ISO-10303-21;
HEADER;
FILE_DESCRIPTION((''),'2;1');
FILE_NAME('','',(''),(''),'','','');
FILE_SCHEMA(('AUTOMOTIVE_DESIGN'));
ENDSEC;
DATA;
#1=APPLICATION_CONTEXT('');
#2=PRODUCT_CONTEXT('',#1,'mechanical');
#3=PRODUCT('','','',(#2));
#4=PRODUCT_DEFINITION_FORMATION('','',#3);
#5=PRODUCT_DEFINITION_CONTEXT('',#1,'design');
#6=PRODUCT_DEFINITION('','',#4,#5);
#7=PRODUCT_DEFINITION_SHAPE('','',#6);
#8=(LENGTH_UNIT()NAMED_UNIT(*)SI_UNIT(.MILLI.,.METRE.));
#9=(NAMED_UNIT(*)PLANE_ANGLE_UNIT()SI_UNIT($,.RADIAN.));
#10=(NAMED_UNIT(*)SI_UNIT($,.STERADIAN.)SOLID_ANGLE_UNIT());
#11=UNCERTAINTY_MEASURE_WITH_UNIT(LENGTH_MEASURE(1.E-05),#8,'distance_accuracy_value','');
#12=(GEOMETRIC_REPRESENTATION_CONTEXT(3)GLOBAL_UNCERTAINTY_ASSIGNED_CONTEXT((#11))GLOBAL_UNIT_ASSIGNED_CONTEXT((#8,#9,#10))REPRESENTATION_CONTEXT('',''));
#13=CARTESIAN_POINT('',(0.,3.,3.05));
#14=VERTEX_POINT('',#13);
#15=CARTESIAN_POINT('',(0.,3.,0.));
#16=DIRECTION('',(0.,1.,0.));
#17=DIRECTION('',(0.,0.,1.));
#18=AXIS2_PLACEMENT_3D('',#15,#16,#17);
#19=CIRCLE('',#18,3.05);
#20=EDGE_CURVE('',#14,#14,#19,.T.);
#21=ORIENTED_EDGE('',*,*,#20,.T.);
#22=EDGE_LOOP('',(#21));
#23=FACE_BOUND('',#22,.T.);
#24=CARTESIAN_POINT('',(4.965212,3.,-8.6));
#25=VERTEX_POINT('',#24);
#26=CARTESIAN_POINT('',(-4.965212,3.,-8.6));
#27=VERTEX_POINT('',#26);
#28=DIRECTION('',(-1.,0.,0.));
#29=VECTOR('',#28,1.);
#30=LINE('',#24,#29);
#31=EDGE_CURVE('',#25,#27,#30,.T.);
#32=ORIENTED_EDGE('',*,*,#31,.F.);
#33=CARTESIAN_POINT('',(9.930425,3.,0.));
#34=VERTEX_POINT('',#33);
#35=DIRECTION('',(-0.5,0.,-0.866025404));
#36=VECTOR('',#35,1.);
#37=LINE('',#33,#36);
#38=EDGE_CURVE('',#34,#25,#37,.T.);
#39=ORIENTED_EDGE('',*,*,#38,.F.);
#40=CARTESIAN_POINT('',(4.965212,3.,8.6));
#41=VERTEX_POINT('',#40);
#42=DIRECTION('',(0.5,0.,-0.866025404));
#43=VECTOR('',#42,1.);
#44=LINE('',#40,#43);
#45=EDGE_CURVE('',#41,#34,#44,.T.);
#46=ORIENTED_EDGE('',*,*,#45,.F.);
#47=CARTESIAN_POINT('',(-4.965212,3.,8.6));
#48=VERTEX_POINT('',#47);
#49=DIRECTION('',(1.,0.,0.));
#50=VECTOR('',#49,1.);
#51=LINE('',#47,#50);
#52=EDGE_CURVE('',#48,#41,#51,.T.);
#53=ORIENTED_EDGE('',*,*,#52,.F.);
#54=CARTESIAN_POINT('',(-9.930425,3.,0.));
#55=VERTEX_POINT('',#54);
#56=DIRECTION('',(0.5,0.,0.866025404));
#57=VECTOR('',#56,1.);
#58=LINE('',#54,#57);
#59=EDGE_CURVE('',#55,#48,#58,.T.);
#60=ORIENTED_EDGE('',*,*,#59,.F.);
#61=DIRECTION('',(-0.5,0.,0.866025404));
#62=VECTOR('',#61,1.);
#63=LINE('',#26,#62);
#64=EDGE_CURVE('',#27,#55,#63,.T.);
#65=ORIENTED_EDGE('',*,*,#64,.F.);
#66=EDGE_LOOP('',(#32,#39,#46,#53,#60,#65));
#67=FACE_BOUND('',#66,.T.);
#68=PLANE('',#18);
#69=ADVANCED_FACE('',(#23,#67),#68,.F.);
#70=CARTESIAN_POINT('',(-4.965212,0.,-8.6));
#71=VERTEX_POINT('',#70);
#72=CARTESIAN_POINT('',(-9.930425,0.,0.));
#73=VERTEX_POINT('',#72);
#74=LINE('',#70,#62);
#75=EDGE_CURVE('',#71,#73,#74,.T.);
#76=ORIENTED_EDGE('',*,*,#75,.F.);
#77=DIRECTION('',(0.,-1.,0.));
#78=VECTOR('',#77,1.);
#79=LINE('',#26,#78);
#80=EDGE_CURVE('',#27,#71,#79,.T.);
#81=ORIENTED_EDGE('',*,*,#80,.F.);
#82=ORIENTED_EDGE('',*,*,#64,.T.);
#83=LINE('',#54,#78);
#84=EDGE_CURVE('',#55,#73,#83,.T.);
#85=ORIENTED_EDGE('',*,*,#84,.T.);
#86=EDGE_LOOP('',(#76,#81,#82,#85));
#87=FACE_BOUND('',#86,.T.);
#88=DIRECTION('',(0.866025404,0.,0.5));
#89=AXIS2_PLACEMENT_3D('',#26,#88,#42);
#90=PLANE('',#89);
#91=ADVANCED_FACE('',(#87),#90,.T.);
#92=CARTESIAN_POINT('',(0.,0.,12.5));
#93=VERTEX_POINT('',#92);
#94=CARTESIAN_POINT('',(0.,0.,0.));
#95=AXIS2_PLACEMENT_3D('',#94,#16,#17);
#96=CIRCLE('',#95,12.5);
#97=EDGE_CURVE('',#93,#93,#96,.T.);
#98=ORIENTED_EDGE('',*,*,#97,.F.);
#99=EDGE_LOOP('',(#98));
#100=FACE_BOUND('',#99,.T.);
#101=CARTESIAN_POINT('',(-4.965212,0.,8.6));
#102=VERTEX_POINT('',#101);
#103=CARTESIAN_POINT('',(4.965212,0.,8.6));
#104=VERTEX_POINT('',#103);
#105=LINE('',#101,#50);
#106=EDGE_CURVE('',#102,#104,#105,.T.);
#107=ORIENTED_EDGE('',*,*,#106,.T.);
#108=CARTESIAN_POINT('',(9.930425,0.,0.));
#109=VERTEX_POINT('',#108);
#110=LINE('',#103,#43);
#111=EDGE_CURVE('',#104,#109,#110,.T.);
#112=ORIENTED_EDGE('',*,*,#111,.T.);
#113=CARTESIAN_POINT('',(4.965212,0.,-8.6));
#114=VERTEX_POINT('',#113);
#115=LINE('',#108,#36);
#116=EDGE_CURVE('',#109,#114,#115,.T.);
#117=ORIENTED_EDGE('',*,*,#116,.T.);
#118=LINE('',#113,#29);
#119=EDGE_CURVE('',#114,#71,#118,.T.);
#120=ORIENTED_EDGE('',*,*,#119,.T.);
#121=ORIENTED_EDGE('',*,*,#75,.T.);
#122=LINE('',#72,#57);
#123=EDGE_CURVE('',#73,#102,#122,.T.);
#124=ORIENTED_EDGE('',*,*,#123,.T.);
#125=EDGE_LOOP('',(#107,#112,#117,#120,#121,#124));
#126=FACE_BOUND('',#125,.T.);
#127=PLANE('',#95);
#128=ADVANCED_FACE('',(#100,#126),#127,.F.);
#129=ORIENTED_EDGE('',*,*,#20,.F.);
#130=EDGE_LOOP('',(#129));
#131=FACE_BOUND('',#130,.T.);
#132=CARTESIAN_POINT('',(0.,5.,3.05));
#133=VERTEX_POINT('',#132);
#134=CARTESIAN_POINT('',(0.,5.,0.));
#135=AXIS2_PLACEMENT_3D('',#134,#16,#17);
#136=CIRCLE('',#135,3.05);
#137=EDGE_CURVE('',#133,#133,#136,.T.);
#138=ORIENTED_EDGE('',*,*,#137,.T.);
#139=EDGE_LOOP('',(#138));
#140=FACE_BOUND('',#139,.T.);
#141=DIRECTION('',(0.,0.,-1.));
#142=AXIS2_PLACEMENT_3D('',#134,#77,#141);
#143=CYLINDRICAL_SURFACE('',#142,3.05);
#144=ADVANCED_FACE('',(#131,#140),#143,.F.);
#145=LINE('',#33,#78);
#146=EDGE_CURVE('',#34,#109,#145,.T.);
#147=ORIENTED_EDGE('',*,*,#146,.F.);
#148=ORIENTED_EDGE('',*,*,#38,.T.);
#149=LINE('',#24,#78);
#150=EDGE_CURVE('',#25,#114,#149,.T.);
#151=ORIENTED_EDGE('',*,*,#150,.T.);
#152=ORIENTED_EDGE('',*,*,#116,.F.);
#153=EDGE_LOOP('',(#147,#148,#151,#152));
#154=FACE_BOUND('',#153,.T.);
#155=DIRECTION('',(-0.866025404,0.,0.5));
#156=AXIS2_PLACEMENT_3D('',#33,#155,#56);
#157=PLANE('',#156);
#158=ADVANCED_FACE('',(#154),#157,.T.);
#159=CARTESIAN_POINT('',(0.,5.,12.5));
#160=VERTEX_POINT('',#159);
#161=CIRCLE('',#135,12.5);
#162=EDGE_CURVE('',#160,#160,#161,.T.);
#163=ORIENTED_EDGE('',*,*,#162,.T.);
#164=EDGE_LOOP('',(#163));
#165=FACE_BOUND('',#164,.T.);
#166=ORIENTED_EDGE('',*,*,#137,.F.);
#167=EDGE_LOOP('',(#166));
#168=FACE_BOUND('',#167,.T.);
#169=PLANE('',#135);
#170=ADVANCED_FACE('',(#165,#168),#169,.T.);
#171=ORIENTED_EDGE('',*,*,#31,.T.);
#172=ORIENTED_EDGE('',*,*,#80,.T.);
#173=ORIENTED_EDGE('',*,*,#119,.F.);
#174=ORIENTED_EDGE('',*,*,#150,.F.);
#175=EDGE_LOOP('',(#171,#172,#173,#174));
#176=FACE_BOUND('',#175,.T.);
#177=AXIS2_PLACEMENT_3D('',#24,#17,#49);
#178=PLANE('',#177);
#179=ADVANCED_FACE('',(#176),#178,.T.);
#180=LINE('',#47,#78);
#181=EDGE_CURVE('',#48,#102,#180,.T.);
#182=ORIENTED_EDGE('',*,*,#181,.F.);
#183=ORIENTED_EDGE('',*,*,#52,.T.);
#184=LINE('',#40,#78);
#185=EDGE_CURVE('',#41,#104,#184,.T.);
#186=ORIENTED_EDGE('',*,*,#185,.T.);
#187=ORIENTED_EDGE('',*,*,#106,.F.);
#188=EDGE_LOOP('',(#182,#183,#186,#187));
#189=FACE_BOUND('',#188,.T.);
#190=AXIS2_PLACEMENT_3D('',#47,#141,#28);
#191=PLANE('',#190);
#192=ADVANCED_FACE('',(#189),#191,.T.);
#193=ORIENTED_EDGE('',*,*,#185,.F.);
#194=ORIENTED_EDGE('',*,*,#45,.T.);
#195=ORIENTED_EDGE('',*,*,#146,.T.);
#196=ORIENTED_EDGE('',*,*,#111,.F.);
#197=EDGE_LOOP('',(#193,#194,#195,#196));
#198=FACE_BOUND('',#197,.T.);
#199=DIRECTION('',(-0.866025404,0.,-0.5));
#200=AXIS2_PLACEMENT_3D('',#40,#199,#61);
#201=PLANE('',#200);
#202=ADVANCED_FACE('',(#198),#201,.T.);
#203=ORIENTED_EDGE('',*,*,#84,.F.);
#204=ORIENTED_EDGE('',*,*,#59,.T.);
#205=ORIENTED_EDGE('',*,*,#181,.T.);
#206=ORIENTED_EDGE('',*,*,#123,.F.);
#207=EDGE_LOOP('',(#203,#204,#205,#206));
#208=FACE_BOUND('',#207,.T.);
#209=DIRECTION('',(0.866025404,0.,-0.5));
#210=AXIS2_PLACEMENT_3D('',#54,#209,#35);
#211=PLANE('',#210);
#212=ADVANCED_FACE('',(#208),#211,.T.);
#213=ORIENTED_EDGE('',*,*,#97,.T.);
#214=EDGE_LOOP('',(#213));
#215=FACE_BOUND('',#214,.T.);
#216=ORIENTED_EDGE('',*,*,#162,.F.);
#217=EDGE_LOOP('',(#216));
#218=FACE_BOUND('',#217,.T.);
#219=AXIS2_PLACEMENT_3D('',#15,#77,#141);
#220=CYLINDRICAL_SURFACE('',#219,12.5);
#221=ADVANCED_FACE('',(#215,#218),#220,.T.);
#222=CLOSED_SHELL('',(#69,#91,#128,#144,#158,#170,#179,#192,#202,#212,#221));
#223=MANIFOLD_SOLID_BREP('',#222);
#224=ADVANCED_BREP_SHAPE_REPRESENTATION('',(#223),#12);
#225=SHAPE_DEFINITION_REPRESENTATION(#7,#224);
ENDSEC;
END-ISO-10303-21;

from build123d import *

# Parameters (mm, degrees)
SKETCH1_R           = 12.5
BOSS_EXTRUDE1_DEPTH = 3
SKETCH2_R           = 12.5
SKETCH2_R_2         = 3.05
BOSS_EXTRUDE2_DEPTH = 2


with BuildPart() as part:
    # Sketch1 → Boss-Extrude1 (new body)
    with BuildSketch(Plane(origin=(0, 0, 0), x_dir=(1, 0, 0), z_dir=(0, 1, 0))):
        with Locations(Location((0, 0, 0), (0, 0, 270))):
            Circle(SKETCH1_R)
        Polygon((9.93042463, 0), (4.965212315, 8.6), (-4.965212315, 8.6), (-9.93042463, 0), (-4.965212315, -8.6), (4.965212315, -8.6), align=None, mode=Mode.SUBTRACT)
    extrude(amount=BOSS_EXTRUDE1_DEPTH)

    # Sketch2 → Boss-Extrude2 (add)
    with BuildSketch(Plane(origin=(0, 3, 0), x_dir=(1, 0, 0), z_dir=(0, 1, 0))):
        with Locations(Location((0, 0, 0), (0, 0, 270))):
            Circle(SKETCH2_R)
        with Locations(Location((0, 0, 0), (0, 0, 270))):
            Circle(SKETCH2_R_2, mode=Mode.SUBTRACT)
    extrude(amount=BOSS_EXTRUDE2_DEPTH)


solid = part.part
